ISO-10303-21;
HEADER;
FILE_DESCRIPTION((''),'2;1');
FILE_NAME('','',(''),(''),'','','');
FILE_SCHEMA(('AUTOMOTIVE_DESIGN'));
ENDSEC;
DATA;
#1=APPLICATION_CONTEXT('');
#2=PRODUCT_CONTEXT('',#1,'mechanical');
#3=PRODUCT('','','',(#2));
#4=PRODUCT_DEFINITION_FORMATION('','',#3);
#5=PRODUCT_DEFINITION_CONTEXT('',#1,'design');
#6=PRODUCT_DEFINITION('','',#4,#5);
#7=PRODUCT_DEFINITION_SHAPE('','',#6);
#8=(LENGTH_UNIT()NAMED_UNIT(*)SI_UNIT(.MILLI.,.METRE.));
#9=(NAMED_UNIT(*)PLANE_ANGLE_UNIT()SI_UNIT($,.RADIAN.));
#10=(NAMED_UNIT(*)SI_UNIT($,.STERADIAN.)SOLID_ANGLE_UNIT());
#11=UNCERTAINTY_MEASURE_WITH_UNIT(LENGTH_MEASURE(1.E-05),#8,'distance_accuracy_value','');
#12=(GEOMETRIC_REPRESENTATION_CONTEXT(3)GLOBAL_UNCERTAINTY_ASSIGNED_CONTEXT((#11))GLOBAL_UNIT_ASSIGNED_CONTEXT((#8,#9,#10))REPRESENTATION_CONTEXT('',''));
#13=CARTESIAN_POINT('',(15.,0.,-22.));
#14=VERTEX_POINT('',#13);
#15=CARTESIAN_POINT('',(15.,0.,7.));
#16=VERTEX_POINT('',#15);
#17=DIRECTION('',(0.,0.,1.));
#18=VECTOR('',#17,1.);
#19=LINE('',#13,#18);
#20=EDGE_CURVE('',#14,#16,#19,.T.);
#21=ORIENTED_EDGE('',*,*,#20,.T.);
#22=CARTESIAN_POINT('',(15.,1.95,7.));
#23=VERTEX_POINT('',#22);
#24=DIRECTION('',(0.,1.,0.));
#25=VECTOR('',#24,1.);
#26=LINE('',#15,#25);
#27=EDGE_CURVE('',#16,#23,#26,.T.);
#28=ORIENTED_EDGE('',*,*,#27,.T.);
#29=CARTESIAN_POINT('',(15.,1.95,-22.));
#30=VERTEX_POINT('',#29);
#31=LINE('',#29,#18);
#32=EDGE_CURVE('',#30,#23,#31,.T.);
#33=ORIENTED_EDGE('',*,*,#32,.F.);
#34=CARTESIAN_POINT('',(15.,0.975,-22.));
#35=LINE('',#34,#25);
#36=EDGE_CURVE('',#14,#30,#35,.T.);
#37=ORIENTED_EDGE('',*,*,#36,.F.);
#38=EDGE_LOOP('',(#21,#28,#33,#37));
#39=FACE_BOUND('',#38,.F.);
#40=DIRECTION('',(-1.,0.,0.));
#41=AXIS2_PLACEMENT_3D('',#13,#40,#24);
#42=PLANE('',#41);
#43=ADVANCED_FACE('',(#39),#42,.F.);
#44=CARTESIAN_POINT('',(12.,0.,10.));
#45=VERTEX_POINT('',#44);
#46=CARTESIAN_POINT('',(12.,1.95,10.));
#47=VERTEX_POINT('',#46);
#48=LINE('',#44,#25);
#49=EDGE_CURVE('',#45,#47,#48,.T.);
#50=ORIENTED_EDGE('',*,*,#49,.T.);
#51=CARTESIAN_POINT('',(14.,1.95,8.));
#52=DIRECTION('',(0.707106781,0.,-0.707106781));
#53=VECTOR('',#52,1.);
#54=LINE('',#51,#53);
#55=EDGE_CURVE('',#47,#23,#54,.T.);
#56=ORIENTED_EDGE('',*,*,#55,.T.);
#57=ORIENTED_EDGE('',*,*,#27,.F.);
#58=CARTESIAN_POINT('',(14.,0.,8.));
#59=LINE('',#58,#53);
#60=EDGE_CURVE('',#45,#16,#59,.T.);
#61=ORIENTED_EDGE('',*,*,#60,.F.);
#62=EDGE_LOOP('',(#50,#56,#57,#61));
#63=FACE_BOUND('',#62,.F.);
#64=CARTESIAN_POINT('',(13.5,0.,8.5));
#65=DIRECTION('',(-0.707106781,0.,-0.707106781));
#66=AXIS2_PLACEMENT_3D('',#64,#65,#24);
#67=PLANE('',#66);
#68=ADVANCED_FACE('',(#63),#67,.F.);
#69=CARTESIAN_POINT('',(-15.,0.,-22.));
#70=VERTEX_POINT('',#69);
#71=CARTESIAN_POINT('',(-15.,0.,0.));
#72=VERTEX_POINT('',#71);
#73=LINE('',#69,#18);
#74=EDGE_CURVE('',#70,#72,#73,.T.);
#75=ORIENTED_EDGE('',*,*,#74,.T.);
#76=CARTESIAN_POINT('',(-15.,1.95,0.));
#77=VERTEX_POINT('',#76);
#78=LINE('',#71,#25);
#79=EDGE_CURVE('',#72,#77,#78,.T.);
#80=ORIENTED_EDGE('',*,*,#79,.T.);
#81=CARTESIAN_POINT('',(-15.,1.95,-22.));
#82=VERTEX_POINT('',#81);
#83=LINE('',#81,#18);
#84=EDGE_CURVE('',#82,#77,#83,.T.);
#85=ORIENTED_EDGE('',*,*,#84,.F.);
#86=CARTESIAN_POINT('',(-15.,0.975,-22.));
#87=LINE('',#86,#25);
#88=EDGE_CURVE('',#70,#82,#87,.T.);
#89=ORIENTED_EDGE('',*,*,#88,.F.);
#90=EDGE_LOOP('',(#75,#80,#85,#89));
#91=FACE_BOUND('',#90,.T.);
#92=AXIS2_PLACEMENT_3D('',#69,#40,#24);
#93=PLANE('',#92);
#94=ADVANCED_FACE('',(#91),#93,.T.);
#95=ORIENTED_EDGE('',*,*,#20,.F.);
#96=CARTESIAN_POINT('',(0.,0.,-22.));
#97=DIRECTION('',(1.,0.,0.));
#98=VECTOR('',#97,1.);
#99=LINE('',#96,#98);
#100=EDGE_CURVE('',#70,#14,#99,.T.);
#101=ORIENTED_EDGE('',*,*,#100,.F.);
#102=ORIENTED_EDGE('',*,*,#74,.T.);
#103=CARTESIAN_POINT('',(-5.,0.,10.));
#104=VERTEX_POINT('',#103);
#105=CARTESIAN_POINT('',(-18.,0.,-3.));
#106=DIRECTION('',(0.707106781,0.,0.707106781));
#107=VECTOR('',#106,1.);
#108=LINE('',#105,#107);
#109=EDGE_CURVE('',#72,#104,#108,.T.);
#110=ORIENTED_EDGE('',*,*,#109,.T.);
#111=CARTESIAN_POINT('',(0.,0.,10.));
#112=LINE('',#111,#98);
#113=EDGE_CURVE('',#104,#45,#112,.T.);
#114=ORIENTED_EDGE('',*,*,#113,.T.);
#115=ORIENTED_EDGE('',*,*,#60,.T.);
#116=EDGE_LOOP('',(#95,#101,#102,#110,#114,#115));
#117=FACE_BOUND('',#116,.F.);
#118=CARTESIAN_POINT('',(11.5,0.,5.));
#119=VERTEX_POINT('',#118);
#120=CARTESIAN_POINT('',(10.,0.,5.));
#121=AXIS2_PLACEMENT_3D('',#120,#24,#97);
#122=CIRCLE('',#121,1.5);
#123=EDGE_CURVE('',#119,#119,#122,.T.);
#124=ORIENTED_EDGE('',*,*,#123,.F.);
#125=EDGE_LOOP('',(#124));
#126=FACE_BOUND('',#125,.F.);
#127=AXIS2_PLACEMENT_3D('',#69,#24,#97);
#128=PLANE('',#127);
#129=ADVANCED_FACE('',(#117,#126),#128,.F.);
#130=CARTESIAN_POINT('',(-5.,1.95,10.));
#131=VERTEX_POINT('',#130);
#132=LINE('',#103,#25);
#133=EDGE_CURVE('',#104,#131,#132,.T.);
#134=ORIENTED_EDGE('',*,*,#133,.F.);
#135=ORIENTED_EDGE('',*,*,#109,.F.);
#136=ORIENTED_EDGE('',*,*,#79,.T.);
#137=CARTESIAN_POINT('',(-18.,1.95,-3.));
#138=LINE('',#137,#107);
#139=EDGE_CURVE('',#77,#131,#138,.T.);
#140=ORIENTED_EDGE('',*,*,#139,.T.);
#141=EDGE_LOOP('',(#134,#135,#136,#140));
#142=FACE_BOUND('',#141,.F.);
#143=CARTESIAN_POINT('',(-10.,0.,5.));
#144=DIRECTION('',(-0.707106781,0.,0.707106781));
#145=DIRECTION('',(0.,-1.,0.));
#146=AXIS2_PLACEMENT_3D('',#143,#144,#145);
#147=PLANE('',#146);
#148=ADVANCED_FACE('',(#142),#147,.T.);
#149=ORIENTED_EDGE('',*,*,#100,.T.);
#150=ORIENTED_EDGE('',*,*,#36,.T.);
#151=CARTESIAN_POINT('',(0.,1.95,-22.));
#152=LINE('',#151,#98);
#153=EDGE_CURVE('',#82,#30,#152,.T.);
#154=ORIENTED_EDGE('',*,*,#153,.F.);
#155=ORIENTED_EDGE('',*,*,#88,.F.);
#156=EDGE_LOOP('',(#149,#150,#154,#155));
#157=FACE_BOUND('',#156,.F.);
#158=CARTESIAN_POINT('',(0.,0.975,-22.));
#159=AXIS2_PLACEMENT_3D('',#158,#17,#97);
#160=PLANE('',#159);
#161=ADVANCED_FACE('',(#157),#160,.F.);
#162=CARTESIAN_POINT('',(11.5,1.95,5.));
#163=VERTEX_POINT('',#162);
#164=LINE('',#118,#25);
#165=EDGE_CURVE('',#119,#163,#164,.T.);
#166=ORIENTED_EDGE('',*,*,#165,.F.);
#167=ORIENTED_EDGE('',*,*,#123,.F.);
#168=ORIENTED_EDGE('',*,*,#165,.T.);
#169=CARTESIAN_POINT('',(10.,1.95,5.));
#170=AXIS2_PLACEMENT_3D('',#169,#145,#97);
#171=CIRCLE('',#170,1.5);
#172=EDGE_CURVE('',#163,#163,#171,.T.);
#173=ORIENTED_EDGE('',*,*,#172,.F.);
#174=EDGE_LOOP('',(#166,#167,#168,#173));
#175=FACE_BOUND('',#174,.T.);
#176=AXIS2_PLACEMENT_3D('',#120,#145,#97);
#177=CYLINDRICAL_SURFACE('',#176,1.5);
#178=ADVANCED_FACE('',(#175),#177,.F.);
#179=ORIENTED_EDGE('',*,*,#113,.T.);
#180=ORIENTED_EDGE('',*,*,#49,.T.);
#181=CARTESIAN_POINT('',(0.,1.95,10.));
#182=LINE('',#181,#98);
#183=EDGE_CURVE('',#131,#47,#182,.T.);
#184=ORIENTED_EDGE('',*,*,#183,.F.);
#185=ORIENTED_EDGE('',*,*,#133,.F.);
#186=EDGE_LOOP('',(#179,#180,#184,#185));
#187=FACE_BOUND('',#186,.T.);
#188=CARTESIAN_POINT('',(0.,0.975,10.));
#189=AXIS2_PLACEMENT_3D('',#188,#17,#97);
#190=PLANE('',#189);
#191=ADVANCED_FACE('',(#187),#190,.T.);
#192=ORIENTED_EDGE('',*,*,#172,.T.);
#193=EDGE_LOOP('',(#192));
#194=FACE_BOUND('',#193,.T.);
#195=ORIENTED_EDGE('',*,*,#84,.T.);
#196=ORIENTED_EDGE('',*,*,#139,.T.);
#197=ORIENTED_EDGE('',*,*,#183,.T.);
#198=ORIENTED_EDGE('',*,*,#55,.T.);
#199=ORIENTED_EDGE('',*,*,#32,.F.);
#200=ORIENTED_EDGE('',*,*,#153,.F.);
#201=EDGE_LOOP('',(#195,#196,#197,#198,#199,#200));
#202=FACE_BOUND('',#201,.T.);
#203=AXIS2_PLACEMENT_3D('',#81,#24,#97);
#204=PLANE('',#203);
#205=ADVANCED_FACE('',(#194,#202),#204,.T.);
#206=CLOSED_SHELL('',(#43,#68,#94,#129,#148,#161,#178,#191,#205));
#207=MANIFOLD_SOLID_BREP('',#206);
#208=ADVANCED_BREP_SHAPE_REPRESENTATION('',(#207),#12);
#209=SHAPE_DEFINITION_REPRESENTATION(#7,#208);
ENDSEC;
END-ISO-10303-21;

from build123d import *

# Parameters (mm, degrees)
CYLINDER001_R     = 1.5
CYLINDER001_DEPTH = 2
BOX_W             = 30
BOX_H             = 1.95
BOX_DEPTH         = 32
CHAMFER_SIZE      = 10
CHAMFER001_SIZE   = 3


with BuildPart() as cylinder001:
    # Cylinder001 → Cylinder001 (new body)
    with BuildSketch(Plane(origin=(10, 0, 5), x_dir=(1, 0, 0), z_dir=(0, 1, 0))):
        Circle(CYLINDER001_R)
    extrude(amount=CYLINDER001_DEPTH)


with BuildPart() as cut:
    # Box → Box (new body)
    with BuildSketch(Plane(origin=(-15, 0, -22), x_dir=(1, 0, 0), z_dir=(0, 0, 1))):
        with Locations((15, 0.975)):
            Rectangle(BOX_W, BOX_H)
    extrude(amount=BOX_DEPTH)

    # Chamfer
    chamfer_edges = [cut.edges().sort_by_distance(p)[0] for p in [
        (-15, 0.975, 10),
    ]]
    chamfer(chamfer_edges, length=CHAMFER_SIZE)

    # Chamfer001
    chamfer001_edges = [cut.edges().sort_by_distance(p)[0] for p in [
        (15, 0.975, 10),
    ]]
    chamfer(chamfer001_edges, length=CHAMFER001_SIZE)

    # Cut: cut Cylinder001
    add(cylinder001.part, mode=Mode.SUBTRACT)


solid = cut.part
